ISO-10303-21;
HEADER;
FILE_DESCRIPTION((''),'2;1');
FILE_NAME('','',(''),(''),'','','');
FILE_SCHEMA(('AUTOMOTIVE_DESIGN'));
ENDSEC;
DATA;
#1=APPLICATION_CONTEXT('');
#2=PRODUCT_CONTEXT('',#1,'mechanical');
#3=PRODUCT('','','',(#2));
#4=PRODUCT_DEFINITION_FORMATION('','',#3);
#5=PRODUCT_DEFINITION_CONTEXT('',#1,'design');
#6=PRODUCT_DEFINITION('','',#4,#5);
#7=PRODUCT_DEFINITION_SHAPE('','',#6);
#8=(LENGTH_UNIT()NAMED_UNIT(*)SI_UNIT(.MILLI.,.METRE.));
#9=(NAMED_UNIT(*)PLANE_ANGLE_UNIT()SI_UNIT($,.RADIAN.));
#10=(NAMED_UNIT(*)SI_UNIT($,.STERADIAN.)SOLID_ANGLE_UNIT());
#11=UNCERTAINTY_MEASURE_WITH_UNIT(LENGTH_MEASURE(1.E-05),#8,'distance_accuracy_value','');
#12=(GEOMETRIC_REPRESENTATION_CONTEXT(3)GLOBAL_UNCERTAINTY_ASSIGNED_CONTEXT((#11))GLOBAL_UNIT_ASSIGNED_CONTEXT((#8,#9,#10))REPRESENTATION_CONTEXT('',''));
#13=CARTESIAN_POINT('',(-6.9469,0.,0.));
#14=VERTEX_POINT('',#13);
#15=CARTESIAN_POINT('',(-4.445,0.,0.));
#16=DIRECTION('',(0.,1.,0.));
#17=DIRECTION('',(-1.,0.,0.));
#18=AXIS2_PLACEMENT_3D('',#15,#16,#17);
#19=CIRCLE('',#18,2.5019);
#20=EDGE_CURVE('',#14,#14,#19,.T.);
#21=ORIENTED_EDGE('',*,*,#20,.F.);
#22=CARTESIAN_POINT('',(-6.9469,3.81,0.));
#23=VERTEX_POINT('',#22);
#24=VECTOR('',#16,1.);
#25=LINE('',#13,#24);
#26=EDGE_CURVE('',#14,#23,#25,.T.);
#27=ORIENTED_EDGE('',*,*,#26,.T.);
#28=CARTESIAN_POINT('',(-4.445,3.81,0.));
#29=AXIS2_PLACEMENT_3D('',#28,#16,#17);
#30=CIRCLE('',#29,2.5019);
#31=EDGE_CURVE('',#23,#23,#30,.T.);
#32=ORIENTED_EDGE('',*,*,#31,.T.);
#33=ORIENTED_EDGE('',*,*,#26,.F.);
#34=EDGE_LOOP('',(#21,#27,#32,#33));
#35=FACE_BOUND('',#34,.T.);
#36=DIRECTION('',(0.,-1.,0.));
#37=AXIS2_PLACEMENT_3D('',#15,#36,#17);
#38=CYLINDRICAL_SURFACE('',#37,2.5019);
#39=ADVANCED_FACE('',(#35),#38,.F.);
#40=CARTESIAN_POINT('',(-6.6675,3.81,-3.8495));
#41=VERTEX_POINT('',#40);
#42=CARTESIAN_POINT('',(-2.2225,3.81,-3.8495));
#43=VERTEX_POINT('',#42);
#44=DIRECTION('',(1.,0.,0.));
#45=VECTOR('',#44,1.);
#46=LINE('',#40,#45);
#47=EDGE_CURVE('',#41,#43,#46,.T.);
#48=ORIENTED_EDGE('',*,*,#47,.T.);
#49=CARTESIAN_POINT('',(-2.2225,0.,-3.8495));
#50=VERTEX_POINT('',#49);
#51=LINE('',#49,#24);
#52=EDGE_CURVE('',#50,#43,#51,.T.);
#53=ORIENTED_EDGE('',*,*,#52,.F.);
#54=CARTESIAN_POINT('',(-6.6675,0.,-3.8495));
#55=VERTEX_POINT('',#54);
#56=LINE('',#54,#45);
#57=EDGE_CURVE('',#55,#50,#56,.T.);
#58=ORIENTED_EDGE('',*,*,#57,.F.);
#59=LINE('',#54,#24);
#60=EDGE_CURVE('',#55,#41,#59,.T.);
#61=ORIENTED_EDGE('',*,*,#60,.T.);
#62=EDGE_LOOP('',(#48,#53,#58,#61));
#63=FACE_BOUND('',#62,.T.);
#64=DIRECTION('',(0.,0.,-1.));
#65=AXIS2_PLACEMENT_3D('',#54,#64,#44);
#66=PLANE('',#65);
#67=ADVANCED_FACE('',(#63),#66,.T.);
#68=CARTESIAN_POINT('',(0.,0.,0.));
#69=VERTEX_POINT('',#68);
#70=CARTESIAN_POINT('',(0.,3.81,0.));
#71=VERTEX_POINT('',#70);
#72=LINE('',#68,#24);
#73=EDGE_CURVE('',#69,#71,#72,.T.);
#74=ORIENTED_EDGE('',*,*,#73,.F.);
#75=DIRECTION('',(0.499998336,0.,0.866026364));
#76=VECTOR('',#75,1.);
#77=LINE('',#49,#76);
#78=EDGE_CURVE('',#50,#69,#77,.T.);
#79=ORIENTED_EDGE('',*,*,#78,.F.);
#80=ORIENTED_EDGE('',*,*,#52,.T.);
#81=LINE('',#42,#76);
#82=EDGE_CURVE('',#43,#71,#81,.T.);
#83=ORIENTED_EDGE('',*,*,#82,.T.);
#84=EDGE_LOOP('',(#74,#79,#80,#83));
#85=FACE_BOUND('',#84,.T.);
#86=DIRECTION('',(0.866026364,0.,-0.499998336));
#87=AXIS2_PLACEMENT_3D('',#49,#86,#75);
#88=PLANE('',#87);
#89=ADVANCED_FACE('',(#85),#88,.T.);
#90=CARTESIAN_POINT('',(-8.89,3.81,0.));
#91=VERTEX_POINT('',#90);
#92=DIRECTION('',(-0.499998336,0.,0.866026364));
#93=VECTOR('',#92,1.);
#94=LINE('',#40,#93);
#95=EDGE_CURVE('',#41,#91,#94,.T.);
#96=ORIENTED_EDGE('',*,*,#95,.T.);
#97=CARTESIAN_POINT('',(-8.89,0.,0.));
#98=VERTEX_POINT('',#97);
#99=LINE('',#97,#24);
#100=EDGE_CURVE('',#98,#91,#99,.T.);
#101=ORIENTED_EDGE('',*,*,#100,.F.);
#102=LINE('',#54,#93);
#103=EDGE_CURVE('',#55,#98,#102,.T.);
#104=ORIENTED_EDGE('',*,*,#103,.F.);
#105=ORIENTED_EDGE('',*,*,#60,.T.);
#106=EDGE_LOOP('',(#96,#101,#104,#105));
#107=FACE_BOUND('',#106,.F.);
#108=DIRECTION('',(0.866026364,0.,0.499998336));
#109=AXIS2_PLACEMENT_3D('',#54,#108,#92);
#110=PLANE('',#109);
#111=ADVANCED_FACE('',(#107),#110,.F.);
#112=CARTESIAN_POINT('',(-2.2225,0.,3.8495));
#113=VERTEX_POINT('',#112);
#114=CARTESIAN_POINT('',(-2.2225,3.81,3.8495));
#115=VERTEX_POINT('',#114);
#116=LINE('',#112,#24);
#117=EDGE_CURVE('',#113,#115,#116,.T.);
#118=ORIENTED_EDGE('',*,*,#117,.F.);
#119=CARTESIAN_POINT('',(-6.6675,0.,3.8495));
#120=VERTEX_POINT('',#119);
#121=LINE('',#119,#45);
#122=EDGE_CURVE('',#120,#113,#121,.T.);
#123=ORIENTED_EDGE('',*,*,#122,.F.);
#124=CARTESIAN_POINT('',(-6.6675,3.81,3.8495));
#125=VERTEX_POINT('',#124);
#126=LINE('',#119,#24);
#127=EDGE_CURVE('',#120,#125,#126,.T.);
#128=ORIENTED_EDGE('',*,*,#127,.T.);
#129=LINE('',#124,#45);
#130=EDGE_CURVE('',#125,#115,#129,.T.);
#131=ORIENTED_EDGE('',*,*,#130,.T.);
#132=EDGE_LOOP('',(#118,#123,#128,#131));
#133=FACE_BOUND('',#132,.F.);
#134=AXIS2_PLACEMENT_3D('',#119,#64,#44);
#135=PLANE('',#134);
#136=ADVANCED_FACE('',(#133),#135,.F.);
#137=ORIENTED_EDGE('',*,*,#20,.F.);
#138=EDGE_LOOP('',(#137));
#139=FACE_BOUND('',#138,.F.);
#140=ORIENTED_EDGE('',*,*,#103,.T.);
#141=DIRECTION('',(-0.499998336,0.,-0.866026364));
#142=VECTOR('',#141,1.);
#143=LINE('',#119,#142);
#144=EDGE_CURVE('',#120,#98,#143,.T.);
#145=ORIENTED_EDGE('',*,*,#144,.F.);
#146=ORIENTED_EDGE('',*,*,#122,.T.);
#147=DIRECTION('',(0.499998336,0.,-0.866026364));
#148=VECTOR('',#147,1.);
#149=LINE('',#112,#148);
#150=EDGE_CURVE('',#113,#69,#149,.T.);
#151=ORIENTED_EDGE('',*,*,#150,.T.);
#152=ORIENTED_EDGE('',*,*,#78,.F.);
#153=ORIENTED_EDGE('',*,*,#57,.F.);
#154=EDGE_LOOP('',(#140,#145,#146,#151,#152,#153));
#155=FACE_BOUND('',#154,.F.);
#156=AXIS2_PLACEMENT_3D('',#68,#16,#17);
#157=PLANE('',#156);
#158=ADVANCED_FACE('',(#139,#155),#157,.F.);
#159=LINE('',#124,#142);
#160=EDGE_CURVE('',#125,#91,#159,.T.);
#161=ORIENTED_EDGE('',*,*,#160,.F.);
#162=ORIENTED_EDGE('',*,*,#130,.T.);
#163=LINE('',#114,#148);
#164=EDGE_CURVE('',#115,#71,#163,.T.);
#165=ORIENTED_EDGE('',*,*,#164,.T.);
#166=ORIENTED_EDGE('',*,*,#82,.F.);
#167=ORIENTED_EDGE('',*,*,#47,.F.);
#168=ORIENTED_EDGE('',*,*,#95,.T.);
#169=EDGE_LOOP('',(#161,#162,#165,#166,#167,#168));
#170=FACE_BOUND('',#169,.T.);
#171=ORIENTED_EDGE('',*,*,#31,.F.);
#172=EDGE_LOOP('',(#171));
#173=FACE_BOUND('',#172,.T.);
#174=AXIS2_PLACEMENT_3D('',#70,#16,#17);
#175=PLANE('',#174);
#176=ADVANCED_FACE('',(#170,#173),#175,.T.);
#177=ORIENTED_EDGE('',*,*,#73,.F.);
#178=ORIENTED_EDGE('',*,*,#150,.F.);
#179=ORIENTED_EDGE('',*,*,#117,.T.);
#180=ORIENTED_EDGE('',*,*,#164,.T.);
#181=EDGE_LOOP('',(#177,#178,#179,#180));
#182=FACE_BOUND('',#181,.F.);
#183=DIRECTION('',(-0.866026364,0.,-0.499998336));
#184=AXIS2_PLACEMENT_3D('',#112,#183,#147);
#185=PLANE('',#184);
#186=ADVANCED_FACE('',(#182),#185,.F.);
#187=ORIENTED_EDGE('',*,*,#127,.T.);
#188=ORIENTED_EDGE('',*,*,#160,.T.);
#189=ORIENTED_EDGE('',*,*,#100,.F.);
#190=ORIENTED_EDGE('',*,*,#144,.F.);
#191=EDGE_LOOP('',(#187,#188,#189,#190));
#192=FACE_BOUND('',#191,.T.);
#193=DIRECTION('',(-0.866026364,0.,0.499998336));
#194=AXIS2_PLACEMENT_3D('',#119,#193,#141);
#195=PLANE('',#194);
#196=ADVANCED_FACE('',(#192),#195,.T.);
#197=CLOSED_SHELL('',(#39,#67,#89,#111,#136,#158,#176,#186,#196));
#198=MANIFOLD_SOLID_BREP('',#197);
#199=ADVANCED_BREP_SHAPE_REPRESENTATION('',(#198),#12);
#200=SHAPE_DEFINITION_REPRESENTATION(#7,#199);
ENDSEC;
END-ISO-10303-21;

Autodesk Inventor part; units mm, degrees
ref_plane "YZ Plane" through (0, 0, 0) normal (1, 0, 0) x (0, 1, 0)
ref_plane "XZ Plane" through (0, 0, 0) normal (0, 1, 0) x (-1, 0, 0)
ref_plane "XY Plane" through (0, 0, 0) normal (0, 0, 1) x (1, 0, 0)
sketch "Sketch1" plane through (0, 0, 0) normal (0, 1, 0) x (-1, 0, 0)
  line L0 (6.6675, -3.8495) -> (8.89, 0)
  line L1 (6.6675, -3.8495) -> (2.2225, -3.8495)
  line L2 (2.2225, -3.8495) -> (0, 0)
  line L3 (6.6675, 3.8495) -> (8.89, 0)
  line L4 (6.6675, 3.8495) -> (2.2225, 3.8495)
  line L5 (2.2225, 3.8495) -> (0, 0)
  circle A0 centre (4.445, 0) radius 2.5019
  dimension "d5" = 5.0038
extrude "Extrusion1" add sketch "Sketch1" along normal blind 3.81
thread "Thread1" size "12-24 UNC" class "2B" standard "ANSI Unified Screw Threads" full length
properties part number "nut"
